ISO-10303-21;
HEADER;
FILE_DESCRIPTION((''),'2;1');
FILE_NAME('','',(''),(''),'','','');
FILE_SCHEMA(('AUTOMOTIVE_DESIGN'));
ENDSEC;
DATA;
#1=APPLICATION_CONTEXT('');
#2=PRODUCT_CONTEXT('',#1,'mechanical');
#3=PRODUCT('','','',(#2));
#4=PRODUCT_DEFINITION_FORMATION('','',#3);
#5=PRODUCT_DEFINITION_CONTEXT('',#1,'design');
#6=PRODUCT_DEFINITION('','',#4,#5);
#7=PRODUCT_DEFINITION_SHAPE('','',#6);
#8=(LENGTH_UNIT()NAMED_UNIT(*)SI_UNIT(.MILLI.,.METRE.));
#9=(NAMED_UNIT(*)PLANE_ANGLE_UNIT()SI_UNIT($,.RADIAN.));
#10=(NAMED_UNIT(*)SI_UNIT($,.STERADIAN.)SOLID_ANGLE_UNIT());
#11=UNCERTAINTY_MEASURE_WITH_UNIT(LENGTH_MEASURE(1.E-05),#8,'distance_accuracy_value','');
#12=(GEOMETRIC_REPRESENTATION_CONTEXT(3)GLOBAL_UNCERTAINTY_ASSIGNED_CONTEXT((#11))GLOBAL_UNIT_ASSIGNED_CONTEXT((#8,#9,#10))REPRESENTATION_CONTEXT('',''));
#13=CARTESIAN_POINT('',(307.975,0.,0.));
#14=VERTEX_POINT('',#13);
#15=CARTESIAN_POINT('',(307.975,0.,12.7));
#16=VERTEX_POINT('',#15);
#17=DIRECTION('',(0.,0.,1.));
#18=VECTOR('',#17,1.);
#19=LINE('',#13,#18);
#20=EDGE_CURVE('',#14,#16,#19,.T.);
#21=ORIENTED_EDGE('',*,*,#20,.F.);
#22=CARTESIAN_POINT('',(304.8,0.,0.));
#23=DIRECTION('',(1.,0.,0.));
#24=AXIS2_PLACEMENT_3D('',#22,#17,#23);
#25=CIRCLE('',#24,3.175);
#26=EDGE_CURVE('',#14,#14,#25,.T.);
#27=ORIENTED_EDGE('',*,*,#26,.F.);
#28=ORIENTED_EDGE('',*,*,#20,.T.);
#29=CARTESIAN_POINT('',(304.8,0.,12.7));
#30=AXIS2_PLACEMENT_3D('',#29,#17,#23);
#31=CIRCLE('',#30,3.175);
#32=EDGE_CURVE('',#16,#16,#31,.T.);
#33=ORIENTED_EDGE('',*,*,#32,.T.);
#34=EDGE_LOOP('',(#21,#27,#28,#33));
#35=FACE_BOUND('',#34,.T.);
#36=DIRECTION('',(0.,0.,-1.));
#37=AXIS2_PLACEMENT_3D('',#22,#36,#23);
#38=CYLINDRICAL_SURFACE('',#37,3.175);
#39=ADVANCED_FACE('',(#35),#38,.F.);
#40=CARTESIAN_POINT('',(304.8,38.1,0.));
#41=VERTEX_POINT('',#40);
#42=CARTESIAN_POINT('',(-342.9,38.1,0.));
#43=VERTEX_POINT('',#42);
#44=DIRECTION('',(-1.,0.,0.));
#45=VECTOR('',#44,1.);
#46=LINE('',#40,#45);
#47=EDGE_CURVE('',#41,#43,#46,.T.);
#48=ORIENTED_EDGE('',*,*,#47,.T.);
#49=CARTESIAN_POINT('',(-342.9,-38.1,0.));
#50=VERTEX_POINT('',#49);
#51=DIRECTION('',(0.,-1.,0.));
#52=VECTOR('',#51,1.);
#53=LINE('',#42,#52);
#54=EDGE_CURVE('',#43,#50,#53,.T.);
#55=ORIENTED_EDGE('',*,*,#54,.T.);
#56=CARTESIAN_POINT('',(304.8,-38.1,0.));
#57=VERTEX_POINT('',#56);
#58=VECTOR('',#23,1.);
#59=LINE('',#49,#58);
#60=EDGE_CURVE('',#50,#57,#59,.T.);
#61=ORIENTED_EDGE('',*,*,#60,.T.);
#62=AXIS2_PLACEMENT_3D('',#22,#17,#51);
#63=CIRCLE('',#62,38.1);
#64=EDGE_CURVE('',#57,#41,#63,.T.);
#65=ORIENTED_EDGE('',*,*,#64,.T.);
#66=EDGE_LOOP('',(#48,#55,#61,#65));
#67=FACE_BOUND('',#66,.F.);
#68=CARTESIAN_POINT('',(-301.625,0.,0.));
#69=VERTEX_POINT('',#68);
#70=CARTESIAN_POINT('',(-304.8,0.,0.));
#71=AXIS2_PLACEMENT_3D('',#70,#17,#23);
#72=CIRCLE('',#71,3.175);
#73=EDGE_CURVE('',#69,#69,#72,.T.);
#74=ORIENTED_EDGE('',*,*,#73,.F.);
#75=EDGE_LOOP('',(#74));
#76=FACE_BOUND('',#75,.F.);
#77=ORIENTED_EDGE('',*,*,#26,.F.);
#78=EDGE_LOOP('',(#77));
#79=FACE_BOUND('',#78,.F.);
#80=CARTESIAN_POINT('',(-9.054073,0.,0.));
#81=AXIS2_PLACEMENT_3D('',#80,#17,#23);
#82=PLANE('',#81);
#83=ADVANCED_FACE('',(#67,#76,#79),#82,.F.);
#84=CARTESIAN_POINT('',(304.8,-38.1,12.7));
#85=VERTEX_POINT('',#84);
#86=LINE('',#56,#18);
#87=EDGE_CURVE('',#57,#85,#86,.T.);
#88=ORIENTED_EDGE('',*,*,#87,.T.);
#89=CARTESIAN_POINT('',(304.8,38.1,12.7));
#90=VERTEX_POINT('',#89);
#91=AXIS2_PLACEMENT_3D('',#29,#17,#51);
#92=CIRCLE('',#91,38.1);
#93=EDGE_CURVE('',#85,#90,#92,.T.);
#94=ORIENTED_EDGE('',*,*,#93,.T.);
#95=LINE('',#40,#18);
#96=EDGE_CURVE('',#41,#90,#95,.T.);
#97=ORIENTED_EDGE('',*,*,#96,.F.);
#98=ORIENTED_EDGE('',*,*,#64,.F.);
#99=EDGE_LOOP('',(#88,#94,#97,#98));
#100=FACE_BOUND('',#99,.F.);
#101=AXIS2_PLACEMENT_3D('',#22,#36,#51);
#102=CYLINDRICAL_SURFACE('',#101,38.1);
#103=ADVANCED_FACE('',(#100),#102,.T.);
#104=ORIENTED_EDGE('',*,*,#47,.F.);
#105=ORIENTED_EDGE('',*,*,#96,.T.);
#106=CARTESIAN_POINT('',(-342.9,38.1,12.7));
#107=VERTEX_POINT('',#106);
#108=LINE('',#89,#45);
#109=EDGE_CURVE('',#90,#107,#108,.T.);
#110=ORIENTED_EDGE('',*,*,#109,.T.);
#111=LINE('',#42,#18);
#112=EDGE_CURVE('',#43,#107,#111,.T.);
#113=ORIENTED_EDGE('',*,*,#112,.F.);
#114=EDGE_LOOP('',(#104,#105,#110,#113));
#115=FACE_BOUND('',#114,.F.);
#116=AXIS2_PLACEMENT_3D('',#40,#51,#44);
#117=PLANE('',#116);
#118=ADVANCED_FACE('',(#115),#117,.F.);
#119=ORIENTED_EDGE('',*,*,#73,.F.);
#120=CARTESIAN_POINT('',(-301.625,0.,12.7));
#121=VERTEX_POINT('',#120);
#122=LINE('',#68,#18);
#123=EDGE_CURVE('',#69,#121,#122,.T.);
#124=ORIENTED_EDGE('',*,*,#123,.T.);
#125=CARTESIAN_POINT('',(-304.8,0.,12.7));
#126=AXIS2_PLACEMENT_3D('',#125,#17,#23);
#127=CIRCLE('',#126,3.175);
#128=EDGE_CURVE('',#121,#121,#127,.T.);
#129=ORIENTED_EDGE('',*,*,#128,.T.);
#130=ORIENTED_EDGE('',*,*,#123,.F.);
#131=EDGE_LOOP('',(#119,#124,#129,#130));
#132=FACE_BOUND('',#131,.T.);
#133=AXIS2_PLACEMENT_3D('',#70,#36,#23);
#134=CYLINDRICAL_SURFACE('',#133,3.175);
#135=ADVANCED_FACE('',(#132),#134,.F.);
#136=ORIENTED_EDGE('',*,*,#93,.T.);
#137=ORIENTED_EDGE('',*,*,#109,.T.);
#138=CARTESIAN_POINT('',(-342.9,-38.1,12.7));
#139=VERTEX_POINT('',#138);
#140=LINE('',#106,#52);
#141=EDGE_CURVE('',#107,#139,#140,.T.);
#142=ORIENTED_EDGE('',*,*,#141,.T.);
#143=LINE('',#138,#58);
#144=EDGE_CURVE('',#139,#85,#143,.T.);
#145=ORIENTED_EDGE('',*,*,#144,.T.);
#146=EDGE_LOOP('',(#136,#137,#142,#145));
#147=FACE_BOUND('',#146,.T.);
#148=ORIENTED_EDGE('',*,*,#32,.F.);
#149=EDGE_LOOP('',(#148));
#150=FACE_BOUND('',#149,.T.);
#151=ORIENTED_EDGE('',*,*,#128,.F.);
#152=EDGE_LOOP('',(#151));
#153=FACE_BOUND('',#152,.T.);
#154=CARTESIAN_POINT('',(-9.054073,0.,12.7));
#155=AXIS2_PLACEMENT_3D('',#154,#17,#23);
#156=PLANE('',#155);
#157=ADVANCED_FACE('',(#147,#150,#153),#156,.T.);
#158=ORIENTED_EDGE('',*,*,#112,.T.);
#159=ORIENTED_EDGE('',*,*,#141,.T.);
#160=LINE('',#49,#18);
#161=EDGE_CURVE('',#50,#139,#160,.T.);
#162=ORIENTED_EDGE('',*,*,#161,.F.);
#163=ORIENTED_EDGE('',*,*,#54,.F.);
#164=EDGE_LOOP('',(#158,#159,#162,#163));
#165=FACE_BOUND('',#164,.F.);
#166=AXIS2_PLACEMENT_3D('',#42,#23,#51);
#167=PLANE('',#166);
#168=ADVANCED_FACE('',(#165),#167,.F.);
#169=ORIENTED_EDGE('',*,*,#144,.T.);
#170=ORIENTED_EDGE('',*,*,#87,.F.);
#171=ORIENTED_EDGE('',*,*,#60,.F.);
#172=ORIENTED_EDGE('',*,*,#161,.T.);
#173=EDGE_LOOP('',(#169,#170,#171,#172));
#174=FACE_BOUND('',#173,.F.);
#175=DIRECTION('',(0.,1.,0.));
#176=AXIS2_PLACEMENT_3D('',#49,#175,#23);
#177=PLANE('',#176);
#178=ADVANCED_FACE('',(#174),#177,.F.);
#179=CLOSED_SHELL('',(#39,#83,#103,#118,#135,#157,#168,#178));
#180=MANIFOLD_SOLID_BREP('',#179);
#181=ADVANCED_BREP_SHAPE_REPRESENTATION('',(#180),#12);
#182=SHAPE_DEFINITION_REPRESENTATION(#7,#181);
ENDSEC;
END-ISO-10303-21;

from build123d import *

# Parameters (mm, degrees)
F0_R     = 3.175
F1_DEPTH = 12.7


with BuildPart() as f1:
    # F0 (on Top) → F1 (new body)
    with BuildSketch(Plane.XY):
        with BuildLine():
            Line((-342.9, 38.1), (-342.9, -38.1))
            Line((-342.9, -38.1), (304.8, -38.1))
            ThreePointArc((304.8, -38.1), (342.9, 0), (304.8, 38.1))
            Line((304.8, 38.1), (-342.9, 38.1))
        make_face()
        with Locations((-304.8, 0)):
            Circle(F0_R, mode=Mode.SUBTRACT)
        with Locations((304.8, 0)):
            Circle(F0_R, mode=Mode.SUBTRACT)
    extrude(amount=F1_DEPTH)


solid = f1.part
